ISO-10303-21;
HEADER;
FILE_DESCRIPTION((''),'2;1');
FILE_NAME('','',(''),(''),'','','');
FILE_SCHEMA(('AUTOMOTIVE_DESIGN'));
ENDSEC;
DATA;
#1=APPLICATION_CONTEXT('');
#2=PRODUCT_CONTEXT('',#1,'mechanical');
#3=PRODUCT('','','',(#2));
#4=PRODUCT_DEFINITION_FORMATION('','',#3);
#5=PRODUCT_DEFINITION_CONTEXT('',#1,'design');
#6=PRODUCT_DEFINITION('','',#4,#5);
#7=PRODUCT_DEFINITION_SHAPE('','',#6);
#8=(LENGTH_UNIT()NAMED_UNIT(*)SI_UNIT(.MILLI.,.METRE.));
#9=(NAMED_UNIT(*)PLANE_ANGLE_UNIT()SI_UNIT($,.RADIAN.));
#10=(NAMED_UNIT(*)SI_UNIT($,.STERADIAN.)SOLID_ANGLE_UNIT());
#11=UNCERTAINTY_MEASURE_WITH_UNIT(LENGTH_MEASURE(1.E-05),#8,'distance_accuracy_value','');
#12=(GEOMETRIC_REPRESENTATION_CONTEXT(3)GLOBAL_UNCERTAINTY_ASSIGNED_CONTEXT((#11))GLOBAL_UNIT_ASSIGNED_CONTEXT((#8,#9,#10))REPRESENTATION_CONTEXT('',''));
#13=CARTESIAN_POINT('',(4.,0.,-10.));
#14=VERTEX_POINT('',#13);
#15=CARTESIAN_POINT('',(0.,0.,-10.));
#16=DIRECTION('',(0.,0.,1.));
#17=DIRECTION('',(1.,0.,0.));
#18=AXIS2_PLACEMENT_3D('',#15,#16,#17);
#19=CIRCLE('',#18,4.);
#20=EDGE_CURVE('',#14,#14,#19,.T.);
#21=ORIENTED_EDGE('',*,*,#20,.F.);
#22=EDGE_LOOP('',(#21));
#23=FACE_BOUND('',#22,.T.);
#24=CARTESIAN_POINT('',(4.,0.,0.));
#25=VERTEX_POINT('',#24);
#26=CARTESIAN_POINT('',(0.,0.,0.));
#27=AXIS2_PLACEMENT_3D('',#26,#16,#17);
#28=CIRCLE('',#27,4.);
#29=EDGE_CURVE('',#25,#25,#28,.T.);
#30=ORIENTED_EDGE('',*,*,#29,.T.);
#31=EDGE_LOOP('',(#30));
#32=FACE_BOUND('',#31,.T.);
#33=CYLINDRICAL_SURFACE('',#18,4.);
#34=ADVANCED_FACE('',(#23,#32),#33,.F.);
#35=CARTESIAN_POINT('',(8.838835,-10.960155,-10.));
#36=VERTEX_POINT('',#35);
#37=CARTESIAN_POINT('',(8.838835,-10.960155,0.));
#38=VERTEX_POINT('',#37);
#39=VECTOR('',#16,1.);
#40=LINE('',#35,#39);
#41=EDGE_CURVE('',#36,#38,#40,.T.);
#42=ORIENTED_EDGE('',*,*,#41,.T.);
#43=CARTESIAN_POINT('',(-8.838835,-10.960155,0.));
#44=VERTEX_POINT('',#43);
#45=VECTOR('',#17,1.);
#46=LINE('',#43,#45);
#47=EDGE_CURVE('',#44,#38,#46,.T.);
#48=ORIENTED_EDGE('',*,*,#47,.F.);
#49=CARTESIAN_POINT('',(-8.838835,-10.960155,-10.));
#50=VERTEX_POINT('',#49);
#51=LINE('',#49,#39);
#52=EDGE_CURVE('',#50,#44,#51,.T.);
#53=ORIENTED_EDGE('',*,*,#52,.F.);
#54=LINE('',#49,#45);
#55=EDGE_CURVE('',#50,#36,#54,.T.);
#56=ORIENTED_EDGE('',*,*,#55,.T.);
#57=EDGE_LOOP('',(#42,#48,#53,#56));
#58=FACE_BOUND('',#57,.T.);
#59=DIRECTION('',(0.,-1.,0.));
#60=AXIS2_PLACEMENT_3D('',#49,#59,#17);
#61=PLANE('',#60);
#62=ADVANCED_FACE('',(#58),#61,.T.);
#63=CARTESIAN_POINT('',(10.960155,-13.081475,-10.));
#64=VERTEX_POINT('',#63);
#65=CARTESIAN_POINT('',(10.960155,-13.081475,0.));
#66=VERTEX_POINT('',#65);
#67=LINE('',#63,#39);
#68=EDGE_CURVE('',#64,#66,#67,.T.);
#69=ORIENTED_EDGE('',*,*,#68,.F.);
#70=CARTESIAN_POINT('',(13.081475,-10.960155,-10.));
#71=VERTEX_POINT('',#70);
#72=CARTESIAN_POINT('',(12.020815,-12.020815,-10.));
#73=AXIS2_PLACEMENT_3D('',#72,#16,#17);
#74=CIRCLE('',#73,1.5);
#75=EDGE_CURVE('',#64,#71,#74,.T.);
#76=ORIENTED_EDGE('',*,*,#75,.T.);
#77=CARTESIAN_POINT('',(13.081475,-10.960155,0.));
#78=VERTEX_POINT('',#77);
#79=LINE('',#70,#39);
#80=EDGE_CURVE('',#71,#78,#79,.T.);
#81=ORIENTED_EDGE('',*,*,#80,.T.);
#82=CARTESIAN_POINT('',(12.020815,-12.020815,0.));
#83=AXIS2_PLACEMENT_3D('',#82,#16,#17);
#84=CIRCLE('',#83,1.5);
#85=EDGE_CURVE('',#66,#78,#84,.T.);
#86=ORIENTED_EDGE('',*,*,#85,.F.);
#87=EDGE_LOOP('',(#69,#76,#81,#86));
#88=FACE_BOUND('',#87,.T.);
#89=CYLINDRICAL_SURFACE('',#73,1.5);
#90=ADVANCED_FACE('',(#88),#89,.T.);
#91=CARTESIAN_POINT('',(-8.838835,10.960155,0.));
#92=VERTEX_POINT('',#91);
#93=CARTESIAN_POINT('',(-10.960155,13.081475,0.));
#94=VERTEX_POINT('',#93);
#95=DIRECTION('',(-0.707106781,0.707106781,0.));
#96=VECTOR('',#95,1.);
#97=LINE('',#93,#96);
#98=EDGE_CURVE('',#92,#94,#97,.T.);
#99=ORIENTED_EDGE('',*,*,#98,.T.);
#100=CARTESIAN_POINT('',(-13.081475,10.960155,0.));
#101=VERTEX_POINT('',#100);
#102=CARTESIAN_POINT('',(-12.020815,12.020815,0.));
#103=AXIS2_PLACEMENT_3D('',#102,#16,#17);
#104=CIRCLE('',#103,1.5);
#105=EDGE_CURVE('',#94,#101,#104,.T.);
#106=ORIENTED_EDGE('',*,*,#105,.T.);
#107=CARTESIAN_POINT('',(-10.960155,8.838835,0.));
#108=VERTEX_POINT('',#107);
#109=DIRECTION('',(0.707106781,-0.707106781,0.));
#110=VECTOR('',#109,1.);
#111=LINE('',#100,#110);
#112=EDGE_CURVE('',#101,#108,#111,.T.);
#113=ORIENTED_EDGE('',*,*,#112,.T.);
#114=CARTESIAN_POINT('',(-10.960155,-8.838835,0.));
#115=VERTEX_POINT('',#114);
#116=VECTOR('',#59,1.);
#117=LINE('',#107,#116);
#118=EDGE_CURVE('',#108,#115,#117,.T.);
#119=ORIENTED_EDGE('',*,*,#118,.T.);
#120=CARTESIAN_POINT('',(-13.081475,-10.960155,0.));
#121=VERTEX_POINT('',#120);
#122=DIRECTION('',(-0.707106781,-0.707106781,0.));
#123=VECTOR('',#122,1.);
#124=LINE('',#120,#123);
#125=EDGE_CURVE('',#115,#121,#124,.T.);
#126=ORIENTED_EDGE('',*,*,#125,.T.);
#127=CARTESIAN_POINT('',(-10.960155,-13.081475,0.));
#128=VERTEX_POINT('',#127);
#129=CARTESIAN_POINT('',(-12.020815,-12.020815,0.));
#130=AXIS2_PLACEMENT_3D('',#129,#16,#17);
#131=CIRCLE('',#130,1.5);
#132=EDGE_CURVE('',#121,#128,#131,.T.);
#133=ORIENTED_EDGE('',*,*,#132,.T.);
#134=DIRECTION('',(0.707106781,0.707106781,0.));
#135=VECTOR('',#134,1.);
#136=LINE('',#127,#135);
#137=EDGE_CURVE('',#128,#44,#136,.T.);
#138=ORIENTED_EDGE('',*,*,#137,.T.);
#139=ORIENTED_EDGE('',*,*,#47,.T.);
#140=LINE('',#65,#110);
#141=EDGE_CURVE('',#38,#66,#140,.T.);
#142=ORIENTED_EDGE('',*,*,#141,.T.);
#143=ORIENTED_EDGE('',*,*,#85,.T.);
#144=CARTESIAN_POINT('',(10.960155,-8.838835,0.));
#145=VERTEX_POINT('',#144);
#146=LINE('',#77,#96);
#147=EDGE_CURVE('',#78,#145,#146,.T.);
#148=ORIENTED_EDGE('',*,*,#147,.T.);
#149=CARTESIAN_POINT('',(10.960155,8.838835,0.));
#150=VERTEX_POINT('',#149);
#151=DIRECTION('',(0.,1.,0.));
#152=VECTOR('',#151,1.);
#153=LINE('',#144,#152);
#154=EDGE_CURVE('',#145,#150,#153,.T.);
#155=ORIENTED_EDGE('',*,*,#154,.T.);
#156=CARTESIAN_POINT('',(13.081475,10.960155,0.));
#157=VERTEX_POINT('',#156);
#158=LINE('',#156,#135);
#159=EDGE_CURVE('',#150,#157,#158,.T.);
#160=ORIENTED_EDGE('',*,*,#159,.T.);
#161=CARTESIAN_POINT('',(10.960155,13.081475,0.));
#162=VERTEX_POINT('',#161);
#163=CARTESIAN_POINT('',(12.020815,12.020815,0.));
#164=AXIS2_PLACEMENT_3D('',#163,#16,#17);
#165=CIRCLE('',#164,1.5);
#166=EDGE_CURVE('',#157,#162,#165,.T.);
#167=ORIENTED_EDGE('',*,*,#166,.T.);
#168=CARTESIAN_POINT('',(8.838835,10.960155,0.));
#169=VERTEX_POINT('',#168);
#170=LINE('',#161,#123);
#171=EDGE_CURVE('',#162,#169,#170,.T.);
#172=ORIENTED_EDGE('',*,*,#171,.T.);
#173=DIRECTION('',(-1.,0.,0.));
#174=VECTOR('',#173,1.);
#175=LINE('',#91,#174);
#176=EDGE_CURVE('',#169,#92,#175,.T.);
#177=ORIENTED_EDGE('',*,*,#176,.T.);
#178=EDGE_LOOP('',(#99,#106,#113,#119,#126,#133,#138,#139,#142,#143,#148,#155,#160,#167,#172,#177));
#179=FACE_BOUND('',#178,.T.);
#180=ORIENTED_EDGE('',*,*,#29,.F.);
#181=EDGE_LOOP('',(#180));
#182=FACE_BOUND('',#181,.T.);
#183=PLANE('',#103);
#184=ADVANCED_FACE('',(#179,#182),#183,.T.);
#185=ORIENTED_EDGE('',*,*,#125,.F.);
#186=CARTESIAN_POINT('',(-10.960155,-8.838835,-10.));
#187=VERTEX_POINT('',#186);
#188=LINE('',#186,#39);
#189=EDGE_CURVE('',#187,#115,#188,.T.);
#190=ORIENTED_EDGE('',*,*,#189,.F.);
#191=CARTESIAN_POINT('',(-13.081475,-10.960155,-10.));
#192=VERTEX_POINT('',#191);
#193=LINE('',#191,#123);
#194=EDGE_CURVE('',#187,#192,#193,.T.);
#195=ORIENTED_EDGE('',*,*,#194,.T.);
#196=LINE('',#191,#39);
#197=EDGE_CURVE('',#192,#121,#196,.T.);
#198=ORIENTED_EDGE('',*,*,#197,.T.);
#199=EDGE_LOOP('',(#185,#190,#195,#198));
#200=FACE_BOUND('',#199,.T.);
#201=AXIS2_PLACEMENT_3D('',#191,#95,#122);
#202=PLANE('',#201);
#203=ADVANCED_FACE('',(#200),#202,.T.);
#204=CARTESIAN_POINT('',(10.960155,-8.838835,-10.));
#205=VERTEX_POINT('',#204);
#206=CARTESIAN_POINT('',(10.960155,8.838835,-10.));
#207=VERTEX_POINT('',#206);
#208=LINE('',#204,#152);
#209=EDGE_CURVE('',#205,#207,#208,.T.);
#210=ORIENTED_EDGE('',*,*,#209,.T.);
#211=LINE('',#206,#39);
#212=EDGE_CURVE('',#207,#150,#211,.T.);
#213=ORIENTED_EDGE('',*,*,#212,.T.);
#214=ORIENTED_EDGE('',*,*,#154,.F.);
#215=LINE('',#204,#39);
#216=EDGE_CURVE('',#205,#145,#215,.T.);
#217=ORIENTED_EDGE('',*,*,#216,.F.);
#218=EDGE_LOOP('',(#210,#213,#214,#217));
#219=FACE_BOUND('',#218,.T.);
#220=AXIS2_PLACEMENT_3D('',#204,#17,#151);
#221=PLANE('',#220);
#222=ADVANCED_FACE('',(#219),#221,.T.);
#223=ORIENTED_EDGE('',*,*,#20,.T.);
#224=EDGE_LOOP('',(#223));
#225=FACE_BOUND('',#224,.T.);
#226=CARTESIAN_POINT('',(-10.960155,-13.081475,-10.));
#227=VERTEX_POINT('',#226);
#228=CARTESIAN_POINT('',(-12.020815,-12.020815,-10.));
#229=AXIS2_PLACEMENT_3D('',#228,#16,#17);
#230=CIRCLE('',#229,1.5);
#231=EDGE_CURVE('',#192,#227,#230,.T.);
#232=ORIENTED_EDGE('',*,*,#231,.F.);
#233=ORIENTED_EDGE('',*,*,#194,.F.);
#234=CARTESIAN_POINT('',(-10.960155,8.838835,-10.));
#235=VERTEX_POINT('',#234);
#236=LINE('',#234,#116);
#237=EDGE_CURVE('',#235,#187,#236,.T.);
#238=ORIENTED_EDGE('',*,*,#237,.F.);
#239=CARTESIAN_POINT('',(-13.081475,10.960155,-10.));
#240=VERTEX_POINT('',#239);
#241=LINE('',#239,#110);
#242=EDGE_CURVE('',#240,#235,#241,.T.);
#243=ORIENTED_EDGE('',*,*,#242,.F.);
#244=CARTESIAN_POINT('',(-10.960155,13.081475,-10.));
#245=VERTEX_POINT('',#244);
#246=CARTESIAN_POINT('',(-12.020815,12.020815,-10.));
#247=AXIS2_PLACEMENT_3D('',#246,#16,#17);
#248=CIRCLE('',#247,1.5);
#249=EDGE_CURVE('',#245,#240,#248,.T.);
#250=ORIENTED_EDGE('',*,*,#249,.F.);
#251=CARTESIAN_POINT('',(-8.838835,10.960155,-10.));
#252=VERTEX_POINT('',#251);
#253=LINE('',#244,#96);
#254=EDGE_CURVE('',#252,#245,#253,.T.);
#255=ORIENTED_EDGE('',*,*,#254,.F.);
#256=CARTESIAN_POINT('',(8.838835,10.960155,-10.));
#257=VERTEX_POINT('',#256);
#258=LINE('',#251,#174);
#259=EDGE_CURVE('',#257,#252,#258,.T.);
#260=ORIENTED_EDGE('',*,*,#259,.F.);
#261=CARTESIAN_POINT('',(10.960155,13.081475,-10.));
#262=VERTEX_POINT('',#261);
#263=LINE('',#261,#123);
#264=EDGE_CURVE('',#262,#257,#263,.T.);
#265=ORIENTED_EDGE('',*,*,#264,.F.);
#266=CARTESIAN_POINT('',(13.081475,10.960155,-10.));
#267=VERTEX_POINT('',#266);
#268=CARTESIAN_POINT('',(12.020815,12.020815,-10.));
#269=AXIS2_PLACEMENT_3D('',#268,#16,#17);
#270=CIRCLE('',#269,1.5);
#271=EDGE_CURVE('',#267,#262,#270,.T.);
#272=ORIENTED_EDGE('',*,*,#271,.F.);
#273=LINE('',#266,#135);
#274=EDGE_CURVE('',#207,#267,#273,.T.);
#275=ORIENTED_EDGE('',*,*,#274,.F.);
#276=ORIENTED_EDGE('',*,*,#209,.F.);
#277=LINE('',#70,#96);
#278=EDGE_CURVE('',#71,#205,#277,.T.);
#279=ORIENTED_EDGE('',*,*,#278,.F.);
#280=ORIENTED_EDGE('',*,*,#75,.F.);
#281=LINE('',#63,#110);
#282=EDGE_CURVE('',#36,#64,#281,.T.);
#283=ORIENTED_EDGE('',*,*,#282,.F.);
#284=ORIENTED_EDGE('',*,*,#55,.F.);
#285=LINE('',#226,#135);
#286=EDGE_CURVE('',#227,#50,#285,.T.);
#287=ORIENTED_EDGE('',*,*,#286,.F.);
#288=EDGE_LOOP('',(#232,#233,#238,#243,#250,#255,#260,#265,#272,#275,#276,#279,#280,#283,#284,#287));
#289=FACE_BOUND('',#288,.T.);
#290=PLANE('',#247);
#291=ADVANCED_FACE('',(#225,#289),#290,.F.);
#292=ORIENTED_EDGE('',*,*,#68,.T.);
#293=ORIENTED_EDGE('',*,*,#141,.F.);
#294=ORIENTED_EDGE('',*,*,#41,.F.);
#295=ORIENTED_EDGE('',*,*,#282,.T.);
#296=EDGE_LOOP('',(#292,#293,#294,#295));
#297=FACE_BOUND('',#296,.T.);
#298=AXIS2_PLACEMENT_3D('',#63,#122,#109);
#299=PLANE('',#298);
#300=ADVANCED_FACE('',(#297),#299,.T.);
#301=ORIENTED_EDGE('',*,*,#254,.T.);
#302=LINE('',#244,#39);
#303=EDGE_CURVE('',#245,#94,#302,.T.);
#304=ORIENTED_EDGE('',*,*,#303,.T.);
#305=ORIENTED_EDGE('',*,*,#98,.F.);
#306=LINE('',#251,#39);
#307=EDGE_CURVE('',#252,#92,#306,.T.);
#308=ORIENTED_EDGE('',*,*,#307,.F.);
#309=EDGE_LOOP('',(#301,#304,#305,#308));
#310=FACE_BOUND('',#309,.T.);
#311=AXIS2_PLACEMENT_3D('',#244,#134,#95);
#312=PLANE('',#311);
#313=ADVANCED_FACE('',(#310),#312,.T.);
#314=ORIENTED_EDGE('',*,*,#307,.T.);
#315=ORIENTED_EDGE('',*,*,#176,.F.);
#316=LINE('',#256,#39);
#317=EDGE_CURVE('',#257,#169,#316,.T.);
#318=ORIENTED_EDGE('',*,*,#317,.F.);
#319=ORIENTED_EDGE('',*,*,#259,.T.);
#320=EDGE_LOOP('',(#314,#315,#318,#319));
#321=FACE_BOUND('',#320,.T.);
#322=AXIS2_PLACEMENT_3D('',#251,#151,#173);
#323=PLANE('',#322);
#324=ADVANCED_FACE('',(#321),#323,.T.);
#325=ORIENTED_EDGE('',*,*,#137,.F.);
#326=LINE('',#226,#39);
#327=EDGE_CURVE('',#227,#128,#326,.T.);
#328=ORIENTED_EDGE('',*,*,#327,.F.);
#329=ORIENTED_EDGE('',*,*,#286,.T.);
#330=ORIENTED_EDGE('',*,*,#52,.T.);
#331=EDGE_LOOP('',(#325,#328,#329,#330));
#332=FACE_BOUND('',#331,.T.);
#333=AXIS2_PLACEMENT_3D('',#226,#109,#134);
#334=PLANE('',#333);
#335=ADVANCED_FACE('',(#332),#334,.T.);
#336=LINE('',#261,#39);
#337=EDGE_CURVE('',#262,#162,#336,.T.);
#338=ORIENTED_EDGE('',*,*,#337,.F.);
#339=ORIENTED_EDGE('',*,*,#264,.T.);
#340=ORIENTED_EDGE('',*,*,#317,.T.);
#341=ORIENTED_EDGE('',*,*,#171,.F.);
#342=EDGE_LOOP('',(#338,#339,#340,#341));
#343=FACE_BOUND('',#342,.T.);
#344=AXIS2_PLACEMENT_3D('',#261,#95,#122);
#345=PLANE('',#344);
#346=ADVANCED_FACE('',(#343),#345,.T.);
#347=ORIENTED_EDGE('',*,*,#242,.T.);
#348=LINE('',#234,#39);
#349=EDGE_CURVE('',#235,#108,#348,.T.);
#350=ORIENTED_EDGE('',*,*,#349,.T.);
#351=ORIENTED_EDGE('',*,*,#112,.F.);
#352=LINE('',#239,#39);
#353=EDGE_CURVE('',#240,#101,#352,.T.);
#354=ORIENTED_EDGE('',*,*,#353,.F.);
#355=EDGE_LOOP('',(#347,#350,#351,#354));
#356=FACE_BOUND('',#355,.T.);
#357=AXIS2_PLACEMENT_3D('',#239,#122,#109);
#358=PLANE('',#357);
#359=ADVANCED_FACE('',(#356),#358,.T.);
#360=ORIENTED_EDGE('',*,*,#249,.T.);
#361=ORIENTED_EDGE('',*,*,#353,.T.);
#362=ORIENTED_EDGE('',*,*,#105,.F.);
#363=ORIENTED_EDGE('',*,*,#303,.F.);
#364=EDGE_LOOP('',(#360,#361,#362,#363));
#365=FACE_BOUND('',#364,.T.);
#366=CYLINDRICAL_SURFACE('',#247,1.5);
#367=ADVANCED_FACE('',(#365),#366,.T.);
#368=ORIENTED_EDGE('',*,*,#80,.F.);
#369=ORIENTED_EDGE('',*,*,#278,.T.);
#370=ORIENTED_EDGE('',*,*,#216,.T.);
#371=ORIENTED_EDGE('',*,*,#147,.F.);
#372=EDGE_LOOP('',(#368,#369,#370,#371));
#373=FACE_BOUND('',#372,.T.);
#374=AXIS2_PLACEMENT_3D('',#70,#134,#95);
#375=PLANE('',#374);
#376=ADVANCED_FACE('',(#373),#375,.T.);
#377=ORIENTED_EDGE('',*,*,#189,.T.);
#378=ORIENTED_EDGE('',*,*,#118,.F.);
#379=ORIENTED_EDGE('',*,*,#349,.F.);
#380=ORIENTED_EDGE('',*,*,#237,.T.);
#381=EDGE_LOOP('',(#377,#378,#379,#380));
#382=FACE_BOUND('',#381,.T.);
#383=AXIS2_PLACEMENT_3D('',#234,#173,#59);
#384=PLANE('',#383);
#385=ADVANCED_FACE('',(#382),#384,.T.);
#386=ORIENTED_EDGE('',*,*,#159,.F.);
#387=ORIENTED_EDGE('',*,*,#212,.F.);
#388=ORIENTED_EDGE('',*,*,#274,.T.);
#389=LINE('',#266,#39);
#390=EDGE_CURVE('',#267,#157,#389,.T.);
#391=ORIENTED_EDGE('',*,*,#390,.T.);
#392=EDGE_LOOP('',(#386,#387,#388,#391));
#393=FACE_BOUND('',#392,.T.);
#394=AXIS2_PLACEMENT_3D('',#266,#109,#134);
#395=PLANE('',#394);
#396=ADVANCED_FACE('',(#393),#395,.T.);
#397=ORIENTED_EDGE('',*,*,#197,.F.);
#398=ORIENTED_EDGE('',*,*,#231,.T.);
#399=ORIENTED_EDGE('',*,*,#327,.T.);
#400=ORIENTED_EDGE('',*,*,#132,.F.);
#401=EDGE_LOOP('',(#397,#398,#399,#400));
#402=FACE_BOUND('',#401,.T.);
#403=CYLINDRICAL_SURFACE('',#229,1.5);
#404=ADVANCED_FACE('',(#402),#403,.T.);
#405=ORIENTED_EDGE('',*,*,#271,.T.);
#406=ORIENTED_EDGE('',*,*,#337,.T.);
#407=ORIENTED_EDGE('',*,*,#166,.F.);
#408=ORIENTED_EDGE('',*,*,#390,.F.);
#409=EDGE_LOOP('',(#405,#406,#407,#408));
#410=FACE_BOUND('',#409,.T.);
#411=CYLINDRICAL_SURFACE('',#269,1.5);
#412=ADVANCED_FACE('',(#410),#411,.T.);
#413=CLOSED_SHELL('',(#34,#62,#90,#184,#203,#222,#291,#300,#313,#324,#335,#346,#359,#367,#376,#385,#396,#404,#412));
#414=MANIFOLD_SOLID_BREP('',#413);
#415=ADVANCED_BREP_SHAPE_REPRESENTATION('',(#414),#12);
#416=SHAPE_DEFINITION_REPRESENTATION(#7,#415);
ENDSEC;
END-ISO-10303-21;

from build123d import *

# Parameters (mm, degrees)
BOSS_EXTRUDE1_DEPTH = 10
SKETCH4_R           = 4
CUT_EXTRUDE1_DEPTH  = 11


with BuildPart() as part:
    # Sketch3 → Boss-Extrude1 (new body)
    with BuildSketch(Plane.XY):
        with BuildLine():
            Line((-13.081475452, 10.960155108), (-10.960155108, 8.838834765))
            Line((-10.960155108, 8.838834765), (-10.960155108, -8.838834765))
            Line((-10.960155108, -8.838834765), (-13.081475452, -10.960155108))
            ThreePointArc((-13.081475452, -10.960155108), (-13.081475452, -13.081475452), (-10.960155108, -13.081475452))
            Line((-10.960155108, -13.081475452), (-8.838834765, -10.960155108))
            Line((-8.838834765, -10.960155108), (8.838834765, -10.960155108))
            Line((8.838834765, -10.960155108), (10.960155108, -13.081475452))
            ThreePointArc((10.960155108, -13.081475452), (13.081475452, -13.081475452), (13.081475452, -10.960155108))
            Line((13.081475452, -10.960155108), (10.960155108, -8.838834765))
            Line((10.960155108, -8.838834765), (10.960155108, 8.838834765))
            Line((10.960155108, 8.838834765), (13.081475452, 10.960155108))
            ThreePointArc((13.081475452, 10.960155108), (13.081475452, 13.081475452), (10.960155108, 13.081475452))
            Line((10.960155108, 13.081475452), (8.838834765, 10.960155108))
            Line((8.838834765, 10.960155108), (-8.838834765, 10.960155108))
            Line((-8.838834765, 10.960155108), (-10.960155108, 13.081475452))
            ThreePointArc((-10.960155108, 13.081475452), (-13.081475452, 13.081475452), (-13.081475452, 10.960155108))
        make_face()
    extrude(amount=-BOSS_EXTRUDE1_DEPTH)

    # Sketch4 → Cut-Extrude1 (cut, through all)
    with BuildSketch(Plane.XY):
        Circle(SKETCH4_R)
    extrude(amount=-CUT_EXTRUDE1_DEPTH, mode=Mode.SUBTRACT)


solid = part.part
